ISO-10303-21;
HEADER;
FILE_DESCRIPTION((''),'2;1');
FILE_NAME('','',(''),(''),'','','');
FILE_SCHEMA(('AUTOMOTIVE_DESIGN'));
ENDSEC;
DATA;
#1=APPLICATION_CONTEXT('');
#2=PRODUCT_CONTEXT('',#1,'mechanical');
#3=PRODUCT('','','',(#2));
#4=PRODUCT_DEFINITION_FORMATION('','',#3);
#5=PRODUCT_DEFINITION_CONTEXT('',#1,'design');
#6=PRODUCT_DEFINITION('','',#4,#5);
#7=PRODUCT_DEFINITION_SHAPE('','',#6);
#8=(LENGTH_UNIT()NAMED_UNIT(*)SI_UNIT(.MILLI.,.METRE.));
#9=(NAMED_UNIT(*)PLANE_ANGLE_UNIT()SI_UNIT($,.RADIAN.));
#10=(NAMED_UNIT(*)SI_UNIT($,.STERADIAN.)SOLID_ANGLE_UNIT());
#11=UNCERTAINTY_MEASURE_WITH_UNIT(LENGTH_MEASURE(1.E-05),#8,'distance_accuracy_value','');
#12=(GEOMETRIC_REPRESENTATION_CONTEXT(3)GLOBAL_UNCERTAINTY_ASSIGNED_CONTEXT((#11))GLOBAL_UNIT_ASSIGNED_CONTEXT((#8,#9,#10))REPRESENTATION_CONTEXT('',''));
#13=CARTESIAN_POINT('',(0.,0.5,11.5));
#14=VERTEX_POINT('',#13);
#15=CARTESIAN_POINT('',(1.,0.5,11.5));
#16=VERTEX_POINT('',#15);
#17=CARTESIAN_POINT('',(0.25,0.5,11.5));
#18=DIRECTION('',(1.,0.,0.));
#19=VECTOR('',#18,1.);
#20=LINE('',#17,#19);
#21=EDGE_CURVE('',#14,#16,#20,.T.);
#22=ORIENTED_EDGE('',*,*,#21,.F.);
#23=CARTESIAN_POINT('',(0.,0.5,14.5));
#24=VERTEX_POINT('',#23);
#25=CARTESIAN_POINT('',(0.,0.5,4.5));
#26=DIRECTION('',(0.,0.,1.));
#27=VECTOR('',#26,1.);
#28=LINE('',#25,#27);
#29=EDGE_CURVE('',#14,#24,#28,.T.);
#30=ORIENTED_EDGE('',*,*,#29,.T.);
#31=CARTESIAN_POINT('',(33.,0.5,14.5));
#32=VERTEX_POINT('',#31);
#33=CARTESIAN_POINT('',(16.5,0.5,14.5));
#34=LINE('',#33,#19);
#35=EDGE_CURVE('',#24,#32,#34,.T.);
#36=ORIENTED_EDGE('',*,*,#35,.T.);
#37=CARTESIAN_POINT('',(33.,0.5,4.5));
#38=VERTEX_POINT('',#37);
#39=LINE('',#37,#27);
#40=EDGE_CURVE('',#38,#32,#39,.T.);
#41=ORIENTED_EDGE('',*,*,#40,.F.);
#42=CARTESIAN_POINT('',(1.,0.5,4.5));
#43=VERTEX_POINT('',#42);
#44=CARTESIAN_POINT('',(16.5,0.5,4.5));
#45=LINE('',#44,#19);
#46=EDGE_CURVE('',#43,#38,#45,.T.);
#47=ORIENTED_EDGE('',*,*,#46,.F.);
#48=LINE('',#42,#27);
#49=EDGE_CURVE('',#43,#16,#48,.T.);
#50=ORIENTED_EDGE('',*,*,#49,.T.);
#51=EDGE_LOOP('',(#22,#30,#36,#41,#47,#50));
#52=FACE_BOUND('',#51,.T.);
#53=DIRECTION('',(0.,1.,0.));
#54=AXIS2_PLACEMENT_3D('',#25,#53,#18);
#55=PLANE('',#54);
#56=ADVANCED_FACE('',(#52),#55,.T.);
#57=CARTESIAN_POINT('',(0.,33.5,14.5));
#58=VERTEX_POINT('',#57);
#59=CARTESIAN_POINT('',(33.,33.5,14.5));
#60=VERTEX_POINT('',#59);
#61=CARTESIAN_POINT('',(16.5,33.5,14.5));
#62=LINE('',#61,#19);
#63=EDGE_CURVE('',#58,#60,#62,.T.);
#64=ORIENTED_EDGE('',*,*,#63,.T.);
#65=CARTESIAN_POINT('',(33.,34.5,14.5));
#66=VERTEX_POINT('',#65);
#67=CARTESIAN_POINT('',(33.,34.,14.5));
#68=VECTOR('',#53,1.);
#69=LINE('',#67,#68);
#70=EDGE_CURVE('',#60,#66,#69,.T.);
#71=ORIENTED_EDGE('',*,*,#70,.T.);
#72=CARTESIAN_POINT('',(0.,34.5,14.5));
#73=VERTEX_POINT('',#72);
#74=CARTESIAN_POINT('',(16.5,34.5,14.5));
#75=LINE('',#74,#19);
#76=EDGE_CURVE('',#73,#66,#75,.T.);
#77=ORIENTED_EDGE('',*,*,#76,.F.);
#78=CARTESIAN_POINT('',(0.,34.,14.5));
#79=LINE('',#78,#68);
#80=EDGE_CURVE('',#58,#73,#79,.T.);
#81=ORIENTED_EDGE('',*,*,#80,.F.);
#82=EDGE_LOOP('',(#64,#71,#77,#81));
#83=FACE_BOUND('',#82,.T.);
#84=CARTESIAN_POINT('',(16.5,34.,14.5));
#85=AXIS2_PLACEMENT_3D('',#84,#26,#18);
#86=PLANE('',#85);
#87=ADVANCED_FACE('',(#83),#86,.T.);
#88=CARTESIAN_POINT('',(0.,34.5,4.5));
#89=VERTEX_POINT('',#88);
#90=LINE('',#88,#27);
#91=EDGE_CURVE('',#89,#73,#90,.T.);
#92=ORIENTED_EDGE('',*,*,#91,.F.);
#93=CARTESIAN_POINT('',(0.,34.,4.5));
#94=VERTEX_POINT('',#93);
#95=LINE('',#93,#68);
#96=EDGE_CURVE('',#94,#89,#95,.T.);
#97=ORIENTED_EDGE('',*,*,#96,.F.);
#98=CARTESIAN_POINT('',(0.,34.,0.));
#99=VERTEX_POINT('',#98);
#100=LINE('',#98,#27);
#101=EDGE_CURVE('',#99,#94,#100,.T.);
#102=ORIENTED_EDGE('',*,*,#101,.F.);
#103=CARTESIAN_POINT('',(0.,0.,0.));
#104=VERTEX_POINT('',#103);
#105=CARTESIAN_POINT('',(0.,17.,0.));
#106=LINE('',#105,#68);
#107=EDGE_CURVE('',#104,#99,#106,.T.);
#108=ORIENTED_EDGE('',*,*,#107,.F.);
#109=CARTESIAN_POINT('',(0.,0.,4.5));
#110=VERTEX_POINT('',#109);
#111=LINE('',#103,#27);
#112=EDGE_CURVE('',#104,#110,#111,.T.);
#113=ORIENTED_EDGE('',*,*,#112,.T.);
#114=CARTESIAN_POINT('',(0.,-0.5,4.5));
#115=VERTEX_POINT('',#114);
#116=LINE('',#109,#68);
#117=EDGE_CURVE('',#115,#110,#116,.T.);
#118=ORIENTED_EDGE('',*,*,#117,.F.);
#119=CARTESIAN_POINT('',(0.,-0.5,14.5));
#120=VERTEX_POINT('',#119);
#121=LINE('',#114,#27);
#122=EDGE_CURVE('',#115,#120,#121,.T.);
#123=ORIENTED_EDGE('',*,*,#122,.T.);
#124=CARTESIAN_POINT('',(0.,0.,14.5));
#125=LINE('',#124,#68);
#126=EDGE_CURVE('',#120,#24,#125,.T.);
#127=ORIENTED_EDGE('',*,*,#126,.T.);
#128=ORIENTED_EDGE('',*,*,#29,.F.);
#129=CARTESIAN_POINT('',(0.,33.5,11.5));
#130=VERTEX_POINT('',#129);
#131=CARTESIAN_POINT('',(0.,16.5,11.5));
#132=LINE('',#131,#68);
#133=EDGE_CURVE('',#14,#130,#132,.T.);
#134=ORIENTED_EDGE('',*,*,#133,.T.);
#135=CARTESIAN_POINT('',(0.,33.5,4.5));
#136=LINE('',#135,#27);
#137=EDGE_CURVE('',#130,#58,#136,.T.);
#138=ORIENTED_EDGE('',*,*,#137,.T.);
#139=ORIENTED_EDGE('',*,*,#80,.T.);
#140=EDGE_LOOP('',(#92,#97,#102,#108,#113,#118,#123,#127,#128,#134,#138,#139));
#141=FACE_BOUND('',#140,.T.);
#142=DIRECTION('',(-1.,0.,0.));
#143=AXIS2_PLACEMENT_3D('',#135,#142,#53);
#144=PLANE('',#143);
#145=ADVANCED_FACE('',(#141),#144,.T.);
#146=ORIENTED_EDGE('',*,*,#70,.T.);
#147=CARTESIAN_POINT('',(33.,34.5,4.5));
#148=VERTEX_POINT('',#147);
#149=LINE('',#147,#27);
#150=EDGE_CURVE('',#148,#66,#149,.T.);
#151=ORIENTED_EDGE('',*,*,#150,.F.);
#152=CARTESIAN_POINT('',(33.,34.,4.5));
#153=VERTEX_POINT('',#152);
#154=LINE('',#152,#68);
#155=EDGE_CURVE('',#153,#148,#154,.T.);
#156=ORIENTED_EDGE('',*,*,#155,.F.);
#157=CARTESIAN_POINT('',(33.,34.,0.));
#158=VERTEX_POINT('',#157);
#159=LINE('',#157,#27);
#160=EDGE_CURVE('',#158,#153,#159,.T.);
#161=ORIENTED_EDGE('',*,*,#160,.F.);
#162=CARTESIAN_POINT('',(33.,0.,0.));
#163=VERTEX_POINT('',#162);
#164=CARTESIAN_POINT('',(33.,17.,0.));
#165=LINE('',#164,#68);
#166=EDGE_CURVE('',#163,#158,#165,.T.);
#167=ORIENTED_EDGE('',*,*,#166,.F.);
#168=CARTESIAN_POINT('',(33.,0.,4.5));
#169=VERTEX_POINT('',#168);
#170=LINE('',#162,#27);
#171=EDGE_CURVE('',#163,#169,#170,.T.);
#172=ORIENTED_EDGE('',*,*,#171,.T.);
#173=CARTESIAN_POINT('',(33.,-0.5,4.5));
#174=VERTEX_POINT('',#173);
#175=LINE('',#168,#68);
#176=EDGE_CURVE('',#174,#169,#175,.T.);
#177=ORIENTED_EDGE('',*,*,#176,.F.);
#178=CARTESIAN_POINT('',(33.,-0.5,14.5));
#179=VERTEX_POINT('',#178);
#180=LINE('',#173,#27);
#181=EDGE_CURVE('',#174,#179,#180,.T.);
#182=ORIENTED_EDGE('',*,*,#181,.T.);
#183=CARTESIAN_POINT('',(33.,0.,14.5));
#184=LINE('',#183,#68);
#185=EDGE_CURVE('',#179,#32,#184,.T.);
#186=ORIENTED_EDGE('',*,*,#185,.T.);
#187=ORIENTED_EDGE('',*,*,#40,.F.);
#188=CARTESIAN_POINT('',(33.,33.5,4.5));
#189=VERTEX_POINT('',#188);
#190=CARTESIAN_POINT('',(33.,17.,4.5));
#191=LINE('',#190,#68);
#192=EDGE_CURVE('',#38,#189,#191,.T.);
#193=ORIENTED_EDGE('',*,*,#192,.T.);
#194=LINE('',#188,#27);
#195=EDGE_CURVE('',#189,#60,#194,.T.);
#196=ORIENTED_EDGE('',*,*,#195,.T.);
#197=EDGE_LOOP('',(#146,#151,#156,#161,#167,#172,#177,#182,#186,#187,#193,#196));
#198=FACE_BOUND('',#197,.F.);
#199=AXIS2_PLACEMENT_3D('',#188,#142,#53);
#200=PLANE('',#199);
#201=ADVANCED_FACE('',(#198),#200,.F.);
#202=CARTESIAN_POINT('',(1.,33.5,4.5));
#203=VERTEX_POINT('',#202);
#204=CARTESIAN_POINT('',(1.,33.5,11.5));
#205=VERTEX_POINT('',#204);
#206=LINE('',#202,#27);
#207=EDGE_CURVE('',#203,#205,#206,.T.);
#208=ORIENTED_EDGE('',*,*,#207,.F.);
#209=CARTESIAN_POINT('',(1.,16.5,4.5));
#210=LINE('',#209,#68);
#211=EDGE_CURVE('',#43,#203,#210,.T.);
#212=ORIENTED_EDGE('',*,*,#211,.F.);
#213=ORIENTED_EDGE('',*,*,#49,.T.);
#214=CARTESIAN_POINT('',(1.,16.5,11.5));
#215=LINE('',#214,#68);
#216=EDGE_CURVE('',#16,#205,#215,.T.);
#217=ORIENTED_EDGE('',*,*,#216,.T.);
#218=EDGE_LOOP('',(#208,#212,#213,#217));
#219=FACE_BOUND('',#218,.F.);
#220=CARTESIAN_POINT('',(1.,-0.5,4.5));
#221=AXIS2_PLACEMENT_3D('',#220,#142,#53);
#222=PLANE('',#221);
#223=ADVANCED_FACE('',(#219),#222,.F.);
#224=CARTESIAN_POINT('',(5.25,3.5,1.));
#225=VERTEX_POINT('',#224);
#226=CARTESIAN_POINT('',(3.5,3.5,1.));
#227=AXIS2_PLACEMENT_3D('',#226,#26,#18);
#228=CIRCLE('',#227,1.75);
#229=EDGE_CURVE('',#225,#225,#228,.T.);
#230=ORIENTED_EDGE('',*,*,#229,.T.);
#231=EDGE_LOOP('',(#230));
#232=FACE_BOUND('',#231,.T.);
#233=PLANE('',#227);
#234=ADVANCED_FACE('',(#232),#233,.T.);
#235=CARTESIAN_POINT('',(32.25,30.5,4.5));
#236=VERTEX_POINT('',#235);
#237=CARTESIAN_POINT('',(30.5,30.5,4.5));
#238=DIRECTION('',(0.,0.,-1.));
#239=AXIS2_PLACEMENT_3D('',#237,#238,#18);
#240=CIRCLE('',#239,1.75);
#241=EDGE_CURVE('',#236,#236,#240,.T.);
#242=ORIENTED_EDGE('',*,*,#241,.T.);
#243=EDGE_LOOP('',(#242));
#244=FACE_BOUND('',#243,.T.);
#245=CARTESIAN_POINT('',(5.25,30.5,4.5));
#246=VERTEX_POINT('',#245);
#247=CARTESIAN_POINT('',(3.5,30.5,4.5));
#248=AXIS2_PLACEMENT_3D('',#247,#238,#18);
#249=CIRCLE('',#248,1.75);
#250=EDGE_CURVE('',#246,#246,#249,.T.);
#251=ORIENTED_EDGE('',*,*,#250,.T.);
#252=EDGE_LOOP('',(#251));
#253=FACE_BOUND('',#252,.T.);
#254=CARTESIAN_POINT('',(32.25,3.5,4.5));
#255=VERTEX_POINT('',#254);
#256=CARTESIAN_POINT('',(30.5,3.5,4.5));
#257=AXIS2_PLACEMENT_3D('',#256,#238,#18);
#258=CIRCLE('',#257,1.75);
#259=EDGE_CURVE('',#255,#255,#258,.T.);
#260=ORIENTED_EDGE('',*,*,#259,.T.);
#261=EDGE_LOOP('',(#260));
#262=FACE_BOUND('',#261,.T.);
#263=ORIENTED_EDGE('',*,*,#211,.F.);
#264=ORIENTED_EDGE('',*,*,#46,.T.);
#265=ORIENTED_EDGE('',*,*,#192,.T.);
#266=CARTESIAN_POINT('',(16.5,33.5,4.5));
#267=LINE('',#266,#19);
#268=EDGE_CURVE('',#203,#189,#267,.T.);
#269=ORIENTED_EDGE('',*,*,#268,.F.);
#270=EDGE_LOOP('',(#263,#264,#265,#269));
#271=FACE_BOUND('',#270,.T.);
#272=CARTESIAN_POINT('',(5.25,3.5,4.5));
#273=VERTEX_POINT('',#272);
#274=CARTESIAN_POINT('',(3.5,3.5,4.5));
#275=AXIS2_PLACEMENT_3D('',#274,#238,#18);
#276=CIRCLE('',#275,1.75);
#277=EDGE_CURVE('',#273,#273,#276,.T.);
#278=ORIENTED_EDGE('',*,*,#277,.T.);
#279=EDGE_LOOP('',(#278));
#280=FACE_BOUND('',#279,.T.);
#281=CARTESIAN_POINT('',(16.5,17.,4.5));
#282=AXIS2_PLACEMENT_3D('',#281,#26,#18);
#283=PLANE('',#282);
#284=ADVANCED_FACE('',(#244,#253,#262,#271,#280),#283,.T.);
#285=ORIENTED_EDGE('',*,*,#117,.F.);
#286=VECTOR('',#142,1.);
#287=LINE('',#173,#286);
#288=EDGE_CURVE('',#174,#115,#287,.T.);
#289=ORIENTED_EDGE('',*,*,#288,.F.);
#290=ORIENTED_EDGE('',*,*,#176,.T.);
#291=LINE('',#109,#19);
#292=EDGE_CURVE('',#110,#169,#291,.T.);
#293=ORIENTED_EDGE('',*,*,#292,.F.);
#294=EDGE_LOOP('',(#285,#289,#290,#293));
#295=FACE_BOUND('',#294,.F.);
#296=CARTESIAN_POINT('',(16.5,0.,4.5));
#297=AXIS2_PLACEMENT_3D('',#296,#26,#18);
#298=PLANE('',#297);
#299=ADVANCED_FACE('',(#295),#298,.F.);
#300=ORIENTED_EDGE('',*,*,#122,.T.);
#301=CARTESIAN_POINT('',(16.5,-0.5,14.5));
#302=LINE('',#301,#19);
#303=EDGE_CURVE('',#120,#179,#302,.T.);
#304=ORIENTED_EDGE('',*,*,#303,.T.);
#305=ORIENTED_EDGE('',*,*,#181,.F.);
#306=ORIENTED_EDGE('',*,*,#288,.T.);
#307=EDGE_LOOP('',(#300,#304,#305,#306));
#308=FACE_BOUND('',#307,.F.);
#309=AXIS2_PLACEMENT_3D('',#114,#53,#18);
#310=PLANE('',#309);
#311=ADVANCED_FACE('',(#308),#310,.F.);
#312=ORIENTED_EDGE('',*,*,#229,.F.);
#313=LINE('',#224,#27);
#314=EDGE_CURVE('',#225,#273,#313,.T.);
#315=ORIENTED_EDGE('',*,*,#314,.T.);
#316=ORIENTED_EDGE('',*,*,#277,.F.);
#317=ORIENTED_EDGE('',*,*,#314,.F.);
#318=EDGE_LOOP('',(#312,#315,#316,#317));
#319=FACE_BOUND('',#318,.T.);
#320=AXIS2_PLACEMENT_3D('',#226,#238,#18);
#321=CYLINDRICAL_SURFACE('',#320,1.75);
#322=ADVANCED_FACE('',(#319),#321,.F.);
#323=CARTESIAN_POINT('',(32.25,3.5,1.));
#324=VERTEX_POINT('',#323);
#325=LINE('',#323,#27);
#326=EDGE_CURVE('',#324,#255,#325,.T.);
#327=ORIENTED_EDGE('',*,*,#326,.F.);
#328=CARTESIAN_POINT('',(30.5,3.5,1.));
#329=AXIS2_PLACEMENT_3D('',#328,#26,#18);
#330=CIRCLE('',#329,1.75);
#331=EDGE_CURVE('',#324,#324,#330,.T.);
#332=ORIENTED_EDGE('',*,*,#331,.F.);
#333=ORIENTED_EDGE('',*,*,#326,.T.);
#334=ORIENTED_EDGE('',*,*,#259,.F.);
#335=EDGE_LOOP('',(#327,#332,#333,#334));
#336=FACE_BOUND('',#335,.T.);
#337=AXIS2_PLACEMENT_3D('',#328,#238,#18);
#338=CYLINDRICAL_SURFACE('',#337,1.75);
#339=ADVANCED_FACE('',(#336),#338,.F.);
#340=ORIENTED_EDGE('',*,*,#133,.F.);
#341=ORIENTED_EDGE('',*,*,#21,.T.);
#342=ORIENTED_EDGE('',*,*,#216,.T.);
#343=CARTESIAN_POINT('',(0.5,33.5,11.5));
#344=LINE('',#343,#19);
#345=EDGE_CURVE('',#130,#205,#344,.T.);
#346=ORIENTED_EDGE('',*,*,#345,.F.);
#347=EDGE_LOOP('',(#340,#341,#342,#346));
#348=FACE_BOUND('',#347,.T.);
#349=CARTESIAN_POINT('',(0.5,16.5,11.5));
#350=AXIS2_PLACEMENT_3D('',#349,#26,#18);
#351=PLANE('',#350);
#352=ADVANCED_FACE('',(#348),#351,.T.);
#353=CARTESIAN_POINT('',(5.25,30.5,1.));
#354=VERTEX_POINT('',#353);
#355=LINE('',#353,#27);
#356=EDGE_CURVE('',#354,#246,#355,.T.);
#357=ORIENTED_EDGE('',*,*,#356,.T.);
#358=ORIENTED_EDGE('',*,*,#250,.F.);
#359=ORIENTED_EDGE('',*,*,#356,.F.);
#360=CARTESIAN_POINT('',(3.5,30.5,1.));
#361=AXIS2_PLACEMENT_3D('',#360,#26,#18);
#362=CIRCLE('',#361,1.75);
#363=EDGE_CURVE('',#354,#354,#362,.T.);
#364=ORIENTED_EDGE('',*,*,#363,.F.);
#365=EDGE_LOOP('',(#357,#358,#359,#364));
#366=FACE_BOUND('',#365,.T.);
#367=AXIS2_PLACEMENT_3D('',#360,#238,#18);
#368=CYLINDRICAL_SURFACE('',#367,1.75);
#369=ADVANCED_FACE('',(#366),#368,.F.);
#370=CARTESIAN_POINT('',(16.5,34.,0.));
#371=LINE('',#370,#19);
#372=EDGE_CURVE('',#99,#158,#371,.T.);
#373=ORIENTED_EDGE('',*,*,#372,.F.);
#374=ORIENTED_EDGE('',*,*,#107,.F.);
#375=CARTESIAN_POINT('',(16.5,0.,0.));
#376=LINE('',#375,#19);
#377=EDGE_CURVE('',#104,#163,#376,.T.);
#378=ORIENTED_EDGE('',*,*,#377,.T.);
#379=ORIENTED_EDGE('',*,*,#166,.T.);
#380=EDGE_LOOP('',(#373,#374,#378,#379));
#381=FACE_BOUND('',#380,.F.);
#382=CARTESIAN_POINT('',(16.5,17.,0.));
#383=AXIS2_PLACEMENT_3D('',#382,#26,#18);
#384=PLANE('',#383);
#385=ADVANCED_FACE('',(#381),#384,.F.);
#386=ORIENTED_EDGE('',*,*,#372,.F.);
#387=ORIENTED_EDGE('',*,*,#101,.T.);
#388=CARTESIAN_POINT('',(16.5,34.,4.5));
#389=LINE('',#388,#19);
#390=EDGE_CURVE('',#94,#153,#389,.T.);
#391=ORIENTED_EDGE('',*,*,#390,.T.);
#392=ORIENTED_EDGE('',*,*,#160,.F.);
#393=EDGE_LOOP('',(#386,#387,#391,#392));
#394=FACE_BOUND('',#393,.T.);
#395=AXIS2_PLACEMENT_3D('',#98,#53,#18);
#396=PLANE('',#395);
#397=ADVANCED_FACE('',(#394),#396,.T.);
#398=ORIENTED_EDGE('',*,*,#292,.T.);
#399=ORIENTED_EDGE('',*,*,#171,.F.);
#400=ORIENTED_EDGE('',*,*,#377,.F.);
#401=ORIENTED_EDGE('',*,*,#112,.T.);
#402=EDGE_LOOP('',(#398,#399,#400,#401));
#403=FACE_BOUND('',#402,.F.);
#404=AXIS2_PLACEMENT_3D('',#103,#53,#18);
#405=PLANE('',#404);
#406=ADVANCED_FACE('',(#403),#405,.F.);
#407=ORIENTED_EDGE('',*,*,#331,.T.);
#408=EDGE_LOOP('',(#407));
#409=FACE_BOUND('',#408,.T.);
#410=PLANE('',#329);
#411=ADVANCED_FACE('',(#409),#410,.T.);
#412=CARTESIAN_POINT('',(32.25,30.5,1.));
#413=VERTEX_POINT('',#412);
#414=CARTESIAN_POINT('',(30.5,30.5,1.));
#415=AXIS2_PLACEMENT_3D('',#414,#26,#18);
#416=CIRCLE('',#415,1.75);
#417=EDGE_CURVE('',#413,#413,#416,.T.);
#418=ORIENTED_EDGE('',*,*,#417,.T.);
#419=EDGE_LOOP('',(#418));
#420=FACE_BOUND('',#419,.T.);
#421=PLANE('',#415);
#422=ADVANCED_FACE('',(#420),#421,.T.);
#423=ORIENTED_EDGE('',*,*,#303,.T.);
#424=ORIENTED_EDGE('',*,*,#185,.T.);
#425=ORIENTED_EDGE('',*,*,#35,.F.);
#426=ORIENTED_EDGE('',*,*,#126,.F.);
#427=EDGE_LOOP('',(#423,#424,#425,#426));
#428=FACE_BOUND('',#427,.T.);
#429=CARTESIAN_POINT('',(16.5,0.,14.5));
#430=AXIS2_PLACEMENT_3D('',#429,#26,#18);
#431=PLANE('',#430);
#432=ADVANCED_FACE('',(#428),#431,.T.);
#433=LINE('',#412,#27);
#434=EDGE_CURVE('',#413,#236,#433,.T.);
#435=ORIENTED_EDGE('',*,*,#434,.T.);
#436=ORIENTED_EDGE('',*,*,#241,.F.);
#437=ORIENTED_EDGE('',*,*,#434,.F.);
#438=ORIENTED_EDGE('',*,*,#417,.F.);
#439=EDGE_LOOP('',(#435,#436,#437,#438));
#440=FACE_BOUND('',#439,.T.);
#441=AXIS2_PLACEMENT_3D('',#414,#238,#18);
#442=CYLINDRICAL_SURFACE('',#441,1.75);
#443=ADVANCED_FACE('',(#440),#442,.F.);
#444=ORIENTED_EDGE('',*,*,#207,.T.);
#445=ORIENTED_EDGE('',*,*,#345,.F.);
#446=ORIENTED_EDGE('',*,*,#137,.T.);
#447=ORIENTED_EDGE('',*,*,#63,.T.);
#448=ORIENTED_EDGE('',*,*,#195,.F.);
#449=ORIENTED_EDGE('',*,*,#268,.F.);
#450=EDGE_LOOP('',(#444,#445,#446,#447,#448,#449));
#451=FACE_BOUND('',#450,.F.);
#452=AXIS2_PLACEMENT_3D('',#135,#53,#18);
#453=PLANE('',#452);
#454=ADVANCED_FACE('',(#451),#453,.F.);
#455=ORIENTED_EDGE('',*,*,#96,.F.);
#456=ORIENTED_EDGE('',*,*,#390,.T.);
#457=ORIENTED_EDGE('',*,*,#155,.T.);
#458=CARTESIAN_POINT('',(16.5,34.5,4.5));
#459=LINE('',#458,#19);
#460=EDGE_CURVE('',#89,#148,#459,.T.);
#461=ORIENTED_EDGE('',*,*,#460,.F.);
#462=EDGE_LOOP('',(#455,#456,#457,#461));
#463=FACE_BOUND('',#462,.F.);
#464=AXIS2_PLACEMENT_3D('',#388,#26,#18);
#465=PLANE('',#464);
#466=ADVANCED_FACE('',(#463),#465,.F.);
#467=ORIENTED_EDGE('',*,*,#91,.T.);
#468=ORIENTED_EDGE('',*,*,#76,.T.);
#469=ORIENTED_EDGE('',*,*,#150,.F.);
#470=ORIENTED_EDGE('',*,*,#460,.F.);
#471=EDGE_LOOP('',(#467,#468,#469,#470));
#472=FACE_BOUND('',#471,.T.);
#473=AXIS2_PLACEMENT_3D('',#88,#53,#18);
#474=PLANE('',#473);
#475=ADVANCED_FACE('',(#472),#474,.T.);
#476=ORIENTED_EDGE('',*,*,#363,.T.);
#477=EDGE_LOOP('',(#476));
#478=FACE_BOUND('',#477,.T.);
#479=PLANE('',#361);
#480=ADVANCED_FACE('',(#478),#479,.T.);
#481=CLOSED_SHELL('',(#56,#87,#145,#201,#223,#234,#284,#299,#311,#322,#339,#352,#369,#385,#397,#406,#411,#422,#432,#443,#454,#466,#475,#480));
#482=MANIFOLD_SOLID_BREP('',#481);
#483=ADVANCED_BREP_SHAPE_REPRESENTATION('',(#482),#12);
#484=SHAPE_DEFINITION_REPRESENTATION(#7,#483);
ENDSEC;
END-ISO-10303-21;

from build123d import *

# Parameters (mm, degrees)
BOX002_W          = 33
BOX002_H          = 1
BOX002_DEPTH      = 10
BOX001_W          = 1
BOX001_H          = 34
BOX001_DEPTH      = 7
BOX003_W          = 33
BOX003_H          = 1
BOX003_DEPTH      = 10
BOX004_W          = 33
BOX004_H          = 1
BOX004_DEPTH      = 10
CYLINDER_R        = 1.75
CYLINDER_DEPTH    = 4.5
CYLINDER001_R     = 1.75
CYLINDER001_DEPTH = 4.5
CYLINDER003_R     = 1.75
CYLINDER003_DEPTH = 4.5
CYLINDER002_R     = 1.75
CYLINDER002_DEPTH = 4.5
BOX_W             = 33
BOX_H             = 34
BOX_DEPTH         = 4.5


with BuildPart() as body006:
    # Box002 → Box002 (join)
    with BuildSketch(Plane(origin=(0, -0.5, 4.5), x_dir=(1, 0, 0), z_dir=(0, 0, 1))):
        with Locations((16.5, 0.5)):
            Rectangle(BOX002_W, BOX002_H)
    extrude(amount=BOX002_DEPTH)


with BuildPart() as body005:
    # Box001 → Box001 (join)
    with BuildSketch(Plane(origin=(0, -0.5, 4.5), x_dir=(1, 0, 0), z_dir=(0, 0, 1))):
        with Locations((0.5, 17)):
            Rectangle(BOX001_W, BOX001_H)
    extrude(amount=BOX001_DEPTH)


with BuildPart() as body007:
    # Box003 → Box003 (join)
    with BuildSketch(Plane(origin=(0, 33.5, 4.5), x_dir=(1, 0, 0), z_dir=(0, 0, 1))):
        with Locations((16.5, 0.5)):
            Rectangle(BOX003_W, BOX003_H)
    extrude(amount=BOX003_DEPTH)


with BuildPart() as body008:
    # Box004 → Box004 (join)
    with BuildSketch(Plane(origin=(0, -0.5, 4.5), x_dir=(1, 0, 0), z_dir=(0, 0, 1))):
        with Locations((16.5, 0.5)):
            Rectangle(BOX004_W, BOX004_H)
    extrude(amount=BOX004_DEPTH)


with BuildPart() as hole3:
    # Cylinder → Cylinder (join)
    with BuildSketch(Plane(origin=(3.5, 3.5, 1), x_dir=(1, 0, 0), z_dir=(0, 0, 1))):
        Circle(CYLINDER_R)
    extrude(amount=CYLINDER_DEPTH)


with BuildPart() as hole1:
    # Cylinder001 → Cylinder001 (join)
    with BuildSketch(Plane(origin=(3.5, 30.5, 1), x_dir=(1, 0, 0), z_dir=(0, 0, 1))):
        Circle(CYLINDER001_R)
    extrude(amount=CYLINDER001_DEPTH)


with BuildPart() as hole2:
    # Cylinder003 → Cylinder003 (join)
    with BuildSketch(Plane(origin=(30.5, 30.5, 1), x_dir=(1, 0, 0), z_dir=(0, 0, 1))):
        Circle(CYLINDER003_R)
    extrude(amount=CYLINDER003_DEPTH)


with BuildPart() as hole4:
    # Cylinder002 → Cylinder002 (join)
    with BuildSketch(Plane(origin=(30.5, 3.5, 1), x_dir=(1, 0, 0), z_dir=(0, 0, 1))):
        Circle(CYLINDER002_R)
    extrude(amount=CYLINDER002_DEPTH)


with BuildPart() as base:
    # Box → Box (join)
    with BuildSketch(Plane.XY):
        with Locations((16.5, 17)):
            Rectangle(BOX_W, BOX_H)
    extrude(amount=BOX_DEPTH)

    # Boolean: union Body006, Body005, Body007, Body008
    add(body006.part)
    add(body005.part)
    add(body007.part)
    add(body008.part)

    # Boolean001: cut hole3, hole1, hole2, hole4
    add(hole3.part, mode=Mode.SUBTRACT)
    add(hole1.part, mode=Mode.SUBTRACT)
    add(hole2.part, mode=Mode.SUBTRACT)
    add(hole4.part, mode=Mode.SUBTRACT)


solid = base.part
